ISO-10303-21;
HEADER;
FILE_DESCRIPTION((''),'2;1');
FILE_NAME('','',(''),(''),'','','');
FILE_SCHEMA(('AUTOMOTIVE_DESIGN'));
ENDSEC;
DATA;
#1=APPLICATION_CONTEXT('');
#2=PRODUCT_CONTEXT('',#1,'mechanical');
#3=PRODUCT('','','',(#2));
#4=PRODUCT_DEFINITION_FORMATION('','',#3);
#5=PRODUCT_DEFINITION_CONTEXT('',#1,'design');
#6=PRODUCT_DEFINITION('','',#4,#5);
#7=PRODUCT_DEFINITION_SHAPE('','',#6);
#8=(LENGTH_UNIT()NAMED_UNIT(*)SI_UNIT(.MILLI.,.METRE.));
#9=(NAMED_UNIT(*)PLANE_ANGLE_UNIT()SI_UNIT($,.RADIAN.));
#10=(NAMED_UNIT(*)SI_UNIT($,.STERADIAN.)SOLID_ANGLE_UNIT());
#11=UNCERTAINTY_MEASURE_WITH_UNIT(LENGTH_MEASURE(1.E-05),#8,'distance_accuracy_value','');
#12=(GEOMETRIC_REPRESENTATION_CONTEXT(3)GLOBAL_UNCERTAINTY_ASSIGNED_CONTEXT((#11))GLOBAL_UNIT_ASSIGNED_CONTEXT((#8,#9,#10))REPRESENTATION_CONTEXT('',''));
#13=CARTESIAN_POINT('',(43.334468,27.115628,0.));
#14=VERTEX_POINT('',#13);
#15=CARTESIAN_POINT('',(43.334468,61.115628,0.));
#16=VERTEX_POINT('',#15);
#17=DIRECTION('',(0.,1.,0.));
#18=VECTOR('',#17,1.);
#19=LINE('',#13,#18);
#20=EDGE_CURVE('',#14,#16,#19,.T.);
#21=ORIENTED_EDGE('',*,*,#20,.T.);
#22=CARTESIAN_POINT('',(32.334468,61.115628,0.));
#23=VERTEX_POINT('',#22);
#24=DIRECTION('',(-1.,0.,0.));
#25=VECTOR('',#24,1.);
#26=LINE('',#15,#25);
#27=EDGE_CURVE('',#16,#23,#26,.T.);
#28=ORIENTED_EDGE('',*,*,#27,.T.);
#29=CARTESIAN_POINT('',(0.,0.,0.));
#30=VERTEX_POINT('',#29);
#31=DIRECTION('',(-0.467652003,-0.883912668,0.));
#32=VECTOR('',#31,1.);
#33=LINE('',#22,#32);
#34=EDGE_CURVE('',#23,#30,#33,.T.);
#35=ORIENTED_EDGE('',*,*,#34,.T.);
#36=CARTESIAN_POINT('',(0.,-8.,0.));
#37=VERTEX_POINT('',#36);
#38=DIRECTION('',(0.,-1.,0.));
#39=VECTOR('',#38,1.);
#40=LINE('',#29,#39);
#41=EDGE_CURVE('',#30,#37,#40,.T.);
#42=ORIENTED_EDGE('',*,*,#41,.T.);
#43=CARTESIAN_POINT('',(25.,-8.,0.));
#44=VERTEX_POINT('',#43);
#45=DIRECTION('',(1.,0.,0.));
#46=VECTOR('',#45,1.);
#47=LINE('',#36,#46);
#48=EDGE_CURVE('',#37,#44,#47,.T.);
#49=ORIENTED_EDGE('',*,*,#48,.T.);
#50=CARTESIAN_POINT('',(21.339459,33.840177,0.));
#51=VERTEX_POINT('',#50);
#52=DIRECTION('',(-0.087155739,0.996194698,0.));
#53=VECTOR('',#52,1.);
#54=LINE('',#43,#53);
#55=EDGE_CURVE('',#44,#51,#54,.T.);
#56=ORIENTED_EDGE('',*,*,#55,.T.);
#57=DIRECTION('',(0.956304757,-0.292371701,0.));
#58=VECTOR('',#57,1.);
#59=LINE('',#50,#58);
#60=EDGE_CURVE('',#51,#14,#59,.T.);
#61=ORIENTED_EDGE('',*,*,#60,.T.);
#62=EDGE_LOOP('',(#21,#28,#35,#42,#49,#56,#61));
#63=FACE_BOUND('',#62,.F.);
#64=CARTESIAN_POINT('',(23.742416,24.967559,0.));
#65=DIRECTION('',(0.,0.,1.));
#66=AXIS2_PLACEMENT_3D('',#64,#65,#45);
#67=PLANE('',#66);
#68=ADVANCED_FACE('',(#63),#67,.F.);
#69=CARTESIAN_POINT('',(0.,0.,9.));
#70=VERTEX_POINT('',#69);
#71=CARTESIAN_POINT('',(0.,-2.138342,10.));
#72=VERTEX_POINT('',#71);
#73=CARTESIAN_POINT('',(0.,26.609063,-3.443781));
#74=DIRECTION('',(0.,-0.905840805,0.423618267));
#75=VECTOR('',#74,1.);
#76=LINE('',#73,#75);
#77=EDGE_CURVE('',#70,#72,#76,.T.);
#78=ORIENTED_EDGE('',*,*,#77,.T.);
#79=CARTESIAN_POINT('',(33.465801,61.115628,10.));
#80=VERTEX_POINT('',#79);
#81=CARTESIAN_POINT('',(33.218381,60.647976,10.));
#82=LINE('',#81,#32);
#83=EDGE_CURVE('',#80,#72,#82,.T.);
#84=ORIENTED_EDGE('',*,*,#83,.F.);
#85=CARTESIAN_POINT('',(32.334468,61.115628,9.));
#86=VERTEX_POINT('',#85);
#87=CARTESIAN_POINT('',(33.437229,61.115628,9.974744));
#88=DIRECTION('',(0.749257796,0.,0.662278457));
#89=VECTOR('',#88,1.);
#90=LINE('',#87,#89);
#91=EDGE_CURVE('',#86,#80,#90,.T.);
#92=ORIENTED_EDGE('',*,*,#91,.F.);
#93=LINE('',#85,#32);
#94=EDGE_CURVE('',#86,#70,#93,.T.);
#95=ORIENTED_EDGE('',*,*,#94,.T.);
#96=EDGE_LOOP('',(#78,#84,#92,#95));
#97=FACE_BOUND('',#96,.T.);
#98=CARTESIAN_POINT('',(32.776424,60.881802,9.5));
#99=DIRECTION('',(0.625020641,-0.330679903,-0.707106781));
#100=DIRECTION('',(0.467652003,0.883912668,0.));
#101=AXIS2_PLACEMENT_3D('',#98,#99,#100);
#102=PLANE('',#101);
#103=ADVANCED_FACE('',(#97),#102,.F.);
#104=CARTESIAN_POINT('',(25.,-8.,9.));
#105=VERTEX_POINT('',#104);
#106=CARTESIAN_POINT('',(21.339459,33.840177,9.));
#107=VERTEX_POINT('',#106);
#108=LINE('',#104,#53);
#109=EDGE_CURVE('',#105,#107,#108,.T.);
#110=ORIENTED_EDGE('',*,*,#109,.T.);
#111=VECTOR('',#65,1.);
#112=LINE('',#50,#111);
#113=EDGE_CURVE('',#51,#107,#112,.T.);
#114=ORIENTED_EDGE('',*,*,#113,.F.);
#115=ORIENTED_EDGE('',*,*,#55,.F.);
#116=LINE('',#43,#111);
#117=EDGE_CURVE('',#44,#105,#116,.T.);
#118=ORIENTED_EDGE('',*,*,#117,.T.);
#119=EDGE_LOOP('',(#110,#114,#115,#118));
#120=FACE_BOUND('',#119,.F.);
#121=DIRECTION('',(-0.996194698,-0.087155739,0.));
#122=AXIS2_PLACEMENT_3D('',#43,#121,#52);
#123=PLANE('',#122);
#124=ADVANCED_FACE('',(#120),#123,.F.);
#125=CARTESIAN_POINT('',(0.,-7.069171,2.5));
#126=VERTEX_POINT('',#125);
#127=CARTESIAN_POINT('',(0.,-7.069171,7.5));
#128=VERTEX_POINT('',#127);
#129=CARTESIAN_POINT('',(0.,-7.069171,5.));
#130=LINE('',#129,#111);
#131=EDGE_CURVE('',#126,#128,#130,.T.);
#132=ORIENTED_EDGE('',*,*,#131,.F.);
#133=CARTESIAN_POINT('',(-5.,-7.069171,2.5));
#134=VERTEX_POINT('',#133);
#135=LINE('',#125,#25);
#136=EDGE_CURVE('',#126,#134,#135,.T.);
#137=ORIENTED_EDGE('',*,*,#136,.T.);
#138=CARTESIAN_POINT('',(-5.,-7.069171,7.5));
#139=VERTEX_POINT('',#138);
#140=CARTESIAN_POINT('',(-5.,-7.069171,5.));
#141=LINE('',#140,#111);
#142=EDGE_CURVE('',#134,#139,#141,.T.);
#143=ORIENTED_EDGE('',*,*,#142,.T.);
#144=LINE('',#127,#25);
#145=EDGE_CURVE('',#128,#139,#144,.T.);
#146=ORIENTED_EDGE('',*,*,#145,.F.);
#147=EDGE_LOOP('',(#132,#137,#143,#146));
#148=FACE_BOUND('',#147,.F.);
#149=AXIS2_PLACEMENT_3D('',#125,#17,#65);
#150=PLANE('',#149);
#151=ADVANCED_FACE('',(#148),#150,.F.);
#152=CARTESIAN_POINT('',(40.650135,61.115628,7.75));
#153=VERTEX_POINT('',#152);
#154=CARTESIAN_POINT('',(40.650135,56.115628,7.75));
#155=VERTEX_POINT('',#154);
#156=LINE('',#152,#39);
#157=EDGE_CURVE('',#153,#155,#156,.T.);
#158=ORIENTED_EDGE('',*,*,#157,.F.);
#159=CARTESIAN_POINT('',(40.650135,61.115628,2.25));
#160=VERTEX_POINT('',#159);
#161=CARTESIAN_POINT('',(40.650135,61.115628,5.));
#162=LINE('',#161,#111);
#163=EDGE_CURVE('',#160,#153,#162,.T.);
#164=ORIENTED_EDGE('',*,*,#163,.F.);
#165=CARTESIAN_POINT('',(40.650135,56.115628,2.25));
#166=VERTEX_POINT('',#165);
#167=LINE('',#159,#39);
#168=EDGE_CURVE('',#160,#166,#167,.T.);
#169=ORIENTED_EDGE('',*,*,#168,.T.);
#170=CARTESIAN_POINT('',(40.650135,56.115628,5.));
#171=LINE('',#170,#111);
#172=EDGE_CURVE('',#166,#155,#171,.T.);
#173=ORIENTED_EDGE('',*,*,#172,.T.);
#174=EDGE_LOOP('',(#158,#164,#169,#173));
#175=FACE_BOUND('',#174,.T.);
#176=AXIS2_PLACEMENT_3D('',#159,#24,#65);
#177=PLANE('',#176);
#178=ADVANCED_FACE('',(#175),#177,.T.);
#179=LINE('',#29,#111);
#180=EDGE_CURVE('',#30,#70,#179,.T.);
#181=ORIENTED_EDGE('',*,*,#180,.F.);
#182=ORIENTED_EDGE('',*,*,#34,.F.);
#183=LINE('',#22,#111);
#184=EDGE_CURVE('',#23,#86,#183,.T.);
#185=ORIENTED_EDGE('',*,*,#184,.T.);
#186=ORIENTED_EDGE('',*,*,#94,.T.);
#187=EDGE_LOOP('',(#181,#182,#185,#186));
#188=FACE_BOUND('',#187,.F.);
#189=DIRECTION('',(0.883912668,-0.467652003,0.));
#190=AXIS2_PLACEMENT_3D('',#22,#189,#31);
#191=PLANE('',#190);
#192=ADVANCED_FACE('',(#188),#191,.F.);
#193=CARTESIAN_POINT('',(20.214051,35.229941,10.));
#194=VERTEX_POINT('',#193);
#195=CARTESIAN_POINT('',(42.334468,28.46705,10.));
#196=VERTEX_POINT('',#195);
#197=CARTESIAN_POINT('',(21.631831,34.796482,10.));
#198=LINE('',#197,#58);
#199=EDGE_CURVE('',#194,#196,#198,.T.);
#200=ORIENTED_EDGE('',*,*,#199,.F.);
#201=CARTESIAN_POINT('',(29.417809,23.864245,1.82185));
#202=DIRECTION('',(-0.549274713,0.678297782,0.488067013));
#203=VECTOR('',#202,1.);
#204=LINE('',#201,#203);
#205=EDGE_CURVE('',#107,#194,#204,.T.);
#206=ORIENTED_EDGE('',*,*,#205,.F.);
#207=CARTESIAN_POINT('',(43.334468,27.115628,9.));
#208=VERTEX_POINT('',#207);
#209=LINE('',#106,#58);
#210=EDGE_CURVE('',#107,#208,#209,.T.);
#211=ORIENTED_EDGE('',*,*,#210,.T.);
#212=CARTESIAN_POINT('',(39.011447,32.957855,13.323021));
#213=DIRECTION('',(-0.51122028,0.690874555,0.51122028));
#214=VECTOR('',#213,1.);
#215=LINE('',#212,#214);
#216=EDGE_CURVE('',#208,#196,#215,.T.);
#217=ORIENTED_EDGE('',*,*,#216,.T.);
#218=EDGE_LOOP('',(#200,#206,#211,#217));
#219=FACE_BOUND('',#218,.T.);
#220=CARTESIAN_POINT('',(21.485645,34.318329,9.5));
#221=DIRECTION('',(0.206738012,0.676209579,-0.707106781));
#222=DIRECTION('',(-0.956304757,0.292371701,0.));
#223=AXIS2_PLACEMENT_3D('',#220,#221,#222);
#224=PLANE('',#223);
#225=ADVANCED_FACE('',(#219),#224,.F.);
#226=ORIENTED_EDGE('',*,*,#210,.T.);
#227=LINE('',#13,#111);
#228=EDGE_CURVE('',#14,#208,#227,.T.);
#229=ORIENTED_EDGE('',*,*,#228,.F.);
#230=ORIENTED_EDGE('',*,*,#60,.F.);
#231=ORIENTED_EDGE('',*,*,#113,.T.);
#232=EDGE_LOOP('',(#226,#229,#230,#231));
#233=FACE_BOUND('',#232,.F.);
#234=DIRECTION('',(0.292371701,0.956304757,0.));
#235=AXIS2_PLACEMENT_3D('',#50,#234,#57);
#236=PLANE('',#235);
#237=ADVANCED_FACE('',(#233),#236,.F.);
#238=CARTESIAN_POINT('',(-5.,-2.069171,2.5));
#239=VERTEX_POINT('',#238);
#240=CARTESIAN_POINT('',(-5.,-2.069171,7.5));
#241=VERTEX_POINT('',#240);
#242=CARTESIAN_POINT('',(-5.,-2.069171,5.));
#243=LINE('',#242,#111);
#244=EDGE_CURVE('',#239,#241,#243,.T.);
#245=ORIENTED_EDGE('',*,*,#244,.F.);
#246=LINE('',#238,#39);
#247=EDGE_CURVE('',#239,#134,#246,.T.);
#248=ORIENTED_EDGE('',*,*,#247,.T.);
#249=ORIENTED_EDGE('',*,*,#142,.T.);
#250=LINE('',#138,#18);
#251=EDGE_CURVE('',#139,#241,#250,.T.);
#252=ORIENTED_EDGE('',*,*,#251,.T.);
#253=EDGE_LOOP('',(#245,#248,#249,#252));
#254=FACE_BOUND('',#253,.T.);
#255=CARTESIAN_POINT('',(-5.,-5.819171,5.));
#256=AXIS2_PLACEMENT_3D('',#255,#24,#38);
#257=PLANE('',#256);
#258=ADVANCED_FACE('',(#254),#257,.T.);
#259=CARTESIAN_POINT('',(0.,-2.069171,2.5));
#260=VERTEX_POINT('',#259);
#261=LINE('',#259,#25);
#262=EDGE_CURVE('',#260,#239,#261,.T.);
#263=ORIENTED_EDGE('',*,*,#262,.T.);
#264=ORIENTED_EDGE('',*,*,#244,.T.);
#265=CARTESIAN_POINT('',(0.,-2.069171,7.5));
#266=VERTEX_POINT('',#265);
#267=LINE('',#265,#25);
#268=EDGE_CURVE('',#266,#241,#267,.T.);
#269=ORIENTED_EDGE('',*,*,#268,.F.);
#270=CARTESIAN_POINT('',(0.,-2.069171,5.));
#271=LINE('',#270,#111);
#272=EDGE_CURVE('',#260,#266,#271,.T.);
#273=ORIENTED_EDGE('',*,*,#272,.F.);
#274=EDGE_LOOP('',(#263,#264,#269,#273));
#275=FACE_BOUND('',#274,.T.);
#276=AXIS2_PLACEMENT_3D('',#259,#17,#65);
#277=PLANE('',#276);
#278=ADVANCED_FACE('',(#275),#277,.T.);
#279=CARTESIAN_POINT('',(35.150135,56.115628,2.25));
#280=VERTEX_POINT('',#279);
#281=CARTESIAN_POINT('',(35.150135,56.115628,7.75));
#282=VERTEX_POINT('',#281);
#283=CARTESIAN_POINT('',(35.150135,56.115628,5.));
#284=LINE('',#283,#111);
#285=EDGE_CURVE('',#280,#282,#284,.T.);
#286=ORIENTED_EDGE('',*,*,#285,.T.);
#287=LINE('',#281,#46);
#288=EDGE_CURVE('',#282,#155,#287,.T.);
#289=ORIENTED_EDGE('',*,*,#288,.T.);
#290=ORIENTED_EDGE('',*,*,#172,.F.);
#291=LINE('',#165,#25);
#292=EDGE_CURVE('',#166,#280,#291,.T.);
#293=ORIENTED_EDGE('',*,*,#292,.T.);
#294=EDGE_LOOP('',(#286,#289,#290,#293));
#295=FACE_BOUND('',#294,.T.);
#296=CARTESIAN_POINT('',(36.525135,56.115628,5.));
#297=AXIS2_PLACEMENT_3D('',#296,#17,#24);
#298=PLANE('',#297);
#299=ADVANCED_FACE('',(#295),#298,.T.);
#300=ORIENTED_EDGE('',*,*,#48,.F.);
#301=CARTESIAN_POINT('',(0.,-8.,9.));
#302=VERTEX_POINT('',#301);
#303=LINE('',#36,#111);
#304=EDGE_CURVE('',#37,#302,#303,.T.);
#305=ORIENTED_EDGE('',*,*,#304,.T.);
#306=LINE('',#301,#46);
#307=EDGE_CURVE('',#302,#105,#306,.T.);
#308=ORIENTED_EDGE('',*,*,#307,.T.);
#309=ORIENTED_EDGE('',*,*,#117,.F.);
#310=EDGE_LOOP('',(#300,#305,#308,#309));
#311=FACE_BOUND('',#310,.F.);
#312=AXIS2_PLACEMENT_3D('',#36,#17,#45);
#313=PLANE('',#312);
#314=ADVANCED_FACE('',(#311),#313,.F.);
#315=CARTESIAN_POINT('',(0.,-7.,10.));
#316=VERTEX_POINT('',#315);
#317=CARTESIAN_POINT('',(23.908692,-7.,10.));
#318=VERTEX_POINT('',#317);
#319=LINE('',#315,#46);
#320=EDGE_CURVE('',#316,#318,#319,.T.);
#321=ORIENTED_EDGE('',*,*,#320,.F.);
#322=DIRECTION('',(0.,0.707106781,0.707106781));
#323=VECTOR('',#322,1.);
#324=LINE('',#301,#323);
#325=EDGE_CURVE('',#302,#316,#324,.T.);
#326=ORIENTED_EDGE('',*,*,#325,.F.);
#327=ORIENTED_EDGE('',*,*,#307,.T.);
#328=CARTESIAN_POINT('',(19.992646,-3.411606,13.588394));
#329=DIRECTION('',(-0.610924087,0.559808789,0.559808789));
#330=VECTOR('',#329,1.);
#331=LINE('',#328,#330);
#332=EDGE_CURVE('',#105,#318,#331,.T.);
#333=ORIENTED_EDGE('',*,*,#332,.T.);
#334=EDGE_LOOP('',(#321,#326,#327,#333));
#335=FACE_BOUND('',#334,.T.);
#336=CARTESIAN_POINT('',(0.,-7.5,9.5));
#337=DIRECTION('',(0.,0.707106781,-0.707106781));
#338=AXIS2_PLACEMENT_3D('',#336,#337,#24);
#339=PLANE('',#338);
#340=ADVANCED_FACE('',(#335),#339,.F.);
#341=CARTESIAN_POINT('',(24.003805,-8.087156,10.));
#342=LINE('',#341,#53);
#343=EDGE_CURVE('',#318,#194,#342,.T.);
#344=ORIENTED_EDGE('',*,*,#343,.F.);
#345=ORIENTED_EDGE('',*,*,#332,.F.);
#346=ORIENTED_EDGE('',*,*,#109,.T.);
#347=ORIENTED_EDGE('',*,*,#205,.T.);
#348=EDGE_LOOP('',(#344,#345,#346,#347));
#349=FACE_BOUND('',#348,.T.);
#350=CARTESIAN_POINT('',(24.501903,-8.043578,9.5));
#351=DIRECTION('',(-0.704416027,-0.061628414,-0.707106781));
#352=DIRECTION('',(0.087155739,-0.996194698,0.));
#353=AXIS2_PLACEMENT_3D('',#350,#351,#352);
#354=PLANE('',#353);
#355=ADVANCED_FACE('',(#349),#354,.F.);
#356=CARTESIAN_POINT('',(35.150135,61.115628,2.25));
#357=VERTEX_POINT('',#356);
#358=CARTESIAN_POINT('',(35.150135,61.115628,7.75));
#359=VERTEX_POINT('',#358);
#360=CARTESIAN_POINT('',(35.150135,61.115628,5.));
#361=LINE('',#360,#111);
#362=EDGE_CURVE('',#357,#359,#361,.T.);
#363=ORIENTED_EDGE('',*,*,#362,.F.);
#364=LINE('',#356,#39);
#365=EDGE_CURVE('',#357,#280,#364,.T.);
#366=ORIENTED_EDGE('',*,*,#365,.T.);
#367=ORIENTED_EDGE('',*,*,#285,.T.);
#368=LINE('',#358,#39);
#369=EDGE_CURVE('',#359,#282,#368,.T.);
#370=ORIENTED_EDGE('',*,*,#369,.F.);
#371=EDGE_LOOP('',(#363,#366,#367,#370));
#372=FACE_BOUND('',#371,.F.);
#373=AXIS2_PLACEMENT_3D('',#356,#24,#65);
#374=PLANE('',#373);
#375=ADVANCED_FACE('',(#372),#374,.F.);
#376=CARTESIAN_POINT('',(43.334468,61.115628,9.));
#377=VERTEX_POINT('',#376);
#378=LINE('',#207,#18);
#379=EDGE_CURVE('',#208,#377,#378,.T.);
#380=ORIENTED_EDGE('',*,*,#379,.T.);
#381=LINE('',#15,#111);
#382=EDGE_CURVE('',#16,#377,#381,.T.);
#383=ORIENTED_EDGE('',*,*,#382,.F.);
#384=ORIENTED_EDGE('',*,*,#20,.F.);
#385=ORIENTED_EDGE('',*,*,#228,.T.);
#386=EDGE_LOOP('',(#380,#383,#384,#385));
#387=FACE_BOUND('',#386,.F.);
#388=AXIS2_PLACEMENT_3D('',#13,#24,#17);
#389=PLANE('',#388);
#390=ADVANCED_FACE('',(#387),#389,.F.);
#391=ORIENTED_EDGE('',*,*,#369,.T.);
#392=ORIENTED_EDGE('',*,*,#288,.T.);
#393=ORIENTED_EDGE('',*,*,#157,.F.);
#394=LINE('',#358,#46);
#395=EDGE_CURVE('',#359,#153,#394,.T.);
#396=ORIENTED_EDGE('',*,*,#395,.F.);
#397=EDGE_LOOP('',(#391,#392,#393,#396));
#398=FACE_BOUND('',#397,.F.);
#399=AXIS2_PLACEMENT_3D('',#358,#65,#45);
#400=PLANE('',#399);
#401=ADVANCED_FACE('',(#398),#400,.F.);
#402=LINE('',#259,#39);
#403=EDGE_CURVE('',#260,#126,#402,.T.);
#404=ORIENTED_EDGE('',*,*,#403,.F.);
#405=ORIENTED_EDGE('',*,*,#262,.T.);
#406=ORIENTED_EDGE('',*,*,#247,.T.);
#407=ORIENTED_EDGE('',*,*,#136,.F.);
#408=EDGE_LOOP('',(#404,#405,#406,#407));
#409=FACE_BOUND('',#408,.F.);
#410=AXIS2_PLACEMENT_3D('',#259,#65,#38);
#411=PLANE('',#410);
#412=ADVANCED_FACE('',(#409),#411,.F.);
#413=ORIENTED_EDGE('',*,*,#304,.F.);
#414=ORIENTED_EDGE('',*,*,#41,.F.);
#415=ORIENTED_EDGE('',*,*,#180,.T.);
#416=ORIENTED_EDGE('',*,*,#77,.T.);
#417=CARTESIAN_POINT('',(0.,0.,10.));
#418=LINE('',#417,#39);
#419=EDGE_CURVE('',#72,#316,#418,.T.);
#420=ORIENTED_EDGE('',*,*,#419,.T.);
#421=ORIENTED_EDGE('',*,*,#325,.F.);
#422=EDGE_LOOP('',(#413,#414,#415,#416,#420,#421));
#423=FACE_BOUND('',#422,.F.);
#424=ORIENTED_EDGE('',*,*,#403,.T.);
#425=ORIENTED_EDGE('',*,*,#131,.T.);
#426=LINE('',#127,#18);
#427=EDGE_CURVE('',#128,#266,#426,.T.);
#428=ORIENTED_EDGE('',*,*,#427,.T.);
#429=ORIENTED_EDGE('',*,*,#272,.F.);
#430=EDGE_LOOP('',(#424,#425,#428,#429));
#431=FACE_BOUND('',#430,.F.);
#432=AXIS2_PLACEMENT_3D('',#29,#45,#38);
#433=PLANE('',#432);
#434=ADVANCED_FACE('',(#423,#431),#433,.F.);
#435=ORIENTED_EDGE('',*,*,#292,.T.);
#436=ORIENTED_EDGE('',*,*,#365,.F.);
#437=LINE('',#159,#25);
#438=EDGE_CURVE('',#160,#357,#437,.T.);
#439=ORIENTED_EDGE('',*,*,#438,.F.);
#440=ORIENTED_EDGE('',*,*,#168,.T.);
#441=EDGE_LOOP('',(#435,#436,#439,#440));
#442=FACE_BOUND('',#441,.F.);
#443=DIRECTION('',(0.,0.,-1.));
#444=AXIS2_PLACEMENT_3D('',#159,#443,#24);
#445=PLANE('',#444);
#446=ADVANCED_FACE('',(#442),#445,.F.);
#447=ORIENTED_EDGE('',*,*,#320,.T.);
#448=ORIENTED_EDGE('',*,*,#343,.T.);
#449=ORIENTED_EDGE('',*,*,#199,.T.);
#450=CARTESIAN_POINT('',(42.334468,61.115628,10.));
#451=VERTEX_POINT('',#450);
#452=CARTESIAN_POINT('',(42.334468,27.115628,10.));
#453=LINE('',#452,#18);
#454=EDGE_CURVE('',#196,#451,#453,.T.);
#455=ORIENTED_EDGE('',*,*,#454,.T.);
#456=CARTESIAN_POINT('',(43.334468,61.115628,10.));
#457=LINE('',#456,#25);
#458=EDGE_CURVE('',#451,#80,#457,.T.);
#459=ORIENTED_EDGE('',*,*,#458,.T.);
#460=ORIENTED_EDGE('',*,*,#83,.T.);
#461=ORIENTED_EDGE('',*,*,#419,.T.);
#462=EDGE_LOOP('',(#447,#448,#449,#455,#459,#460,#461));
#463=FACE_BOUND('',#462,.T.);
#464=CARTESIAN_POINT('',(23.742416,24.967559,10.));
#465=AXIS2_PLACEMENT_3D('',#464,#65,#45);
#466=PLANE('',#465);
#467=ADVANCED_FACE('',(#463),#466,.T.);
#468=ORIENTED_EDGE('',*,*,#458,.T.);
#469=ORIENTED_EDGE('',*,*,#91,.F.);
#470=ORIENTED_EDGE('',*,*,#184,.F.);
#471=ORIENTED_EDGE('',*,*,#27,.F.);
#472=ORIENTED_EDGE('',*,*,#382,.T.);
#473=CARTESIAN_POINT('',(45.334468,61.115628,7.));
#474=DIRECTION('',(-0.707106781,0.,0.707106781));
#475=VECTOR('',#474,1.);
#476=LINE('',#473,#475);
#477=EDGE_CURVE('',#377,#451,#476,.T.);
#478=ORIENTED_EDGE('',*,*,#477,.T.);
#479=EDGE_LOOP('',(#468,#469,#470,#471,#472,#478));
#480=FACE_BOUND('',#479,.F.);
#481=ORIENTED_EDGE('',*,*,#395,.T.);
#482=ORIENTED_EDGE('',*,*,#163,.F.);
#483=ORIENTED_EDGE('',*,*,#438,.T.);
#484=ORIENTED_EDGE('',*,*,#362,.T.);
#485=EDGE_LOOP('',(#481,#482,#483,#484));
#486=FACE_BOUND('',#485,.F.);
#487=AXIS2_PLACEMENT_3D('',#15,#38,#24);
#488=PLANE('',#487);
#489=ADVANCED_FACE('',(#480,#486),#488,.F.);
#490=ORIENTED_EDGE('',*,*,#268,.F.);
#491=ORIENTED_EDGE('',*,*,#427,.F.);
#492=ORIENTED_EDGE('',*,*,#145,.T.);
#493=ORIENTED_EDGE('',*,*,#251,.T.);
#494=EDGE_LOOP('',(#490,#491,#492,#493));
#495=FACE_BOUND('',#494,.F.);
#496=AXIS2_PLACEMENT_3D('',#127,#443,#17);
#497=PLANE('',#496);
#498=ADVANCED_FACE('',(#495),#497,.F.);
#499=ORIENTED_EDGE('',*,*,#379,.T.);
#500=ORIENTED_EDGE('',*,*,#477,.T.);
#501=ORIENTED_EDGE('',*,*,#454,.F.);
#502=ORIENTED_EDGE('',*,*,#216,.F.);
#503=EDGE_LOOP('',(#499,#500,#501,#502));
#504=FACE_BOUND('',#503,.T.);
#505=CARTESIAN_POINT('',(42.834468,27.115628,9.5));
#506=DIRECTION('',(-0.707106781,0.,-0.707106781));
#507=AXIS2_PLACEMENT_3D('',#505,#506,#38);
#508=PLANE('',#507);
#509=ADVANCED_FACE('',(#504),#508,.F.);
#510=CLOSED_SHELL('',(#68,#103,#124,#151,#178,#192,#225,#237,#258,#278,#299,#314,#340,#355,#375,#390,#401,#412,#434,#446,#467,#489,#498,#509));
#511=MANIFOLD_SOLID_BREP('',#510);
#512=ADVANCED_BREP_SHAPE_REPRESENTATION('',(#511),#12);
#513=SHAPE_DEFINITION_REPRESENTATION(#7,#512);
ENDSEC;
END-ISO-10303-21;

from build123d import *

# Parameters (mm, degrees)
F1_DEPTH = 10
F2_SIZE  = 1
F3_W     = 2.5
F3_H     = 5
F4_DEPTH = 5
F5_W     = 2.75
F5_H     = 5.5
F6_DEPTH = 5


with BuildPart() as f1:
    # F0 (on Top) → F1 (new body)
    with BuildSketch(Plane.XY):
        Polygon((32.334468, 61.115628), (0, 0), (0, -8), (25, -8), (21.339459, 33.840177), (43.334468, 27.115628), (43.334468, 61.115628), align=None)
    extrude(amount=F1_DEPTH)

    # F2
    f2_edges = [f1.edges().sort_by_distance(p)[0] for p in [
        (16.167234, 30.557814, 10),
        (12.5, -8, 10),
        (23.169729, 12.920089, 10),
        (32.336963, 30.477903, 10),
        (43.334468, 44.115628, 10),
    ]]
    chamfer(f2_edges, length=F2_SIZE)

    # F3 (on face) → F4 (join)
    with BuildSketch(Plane(origin=(0, 0, 0), x_dir=(0, -1, 0), z_dir=(-1, 0, 0))):
        with Locations((5.819171, 5)):
            Rectangle(F3_W, F3_H)
        with Locations((3.319171, 5)):
            Rectangle(F3_W, F3_H)
    extrude(amount=F4_DEPTH)

    # F5 (on face) → F6 (cut)
    with BuildSketch(Plane(origin=(0, 61.115628, 0), x_dir=(-1, 0, 0), z_dir=(0, 1, 0))):
        with Locations((-36.525135, 5)):
            Rectangle(F5_W, F5_H)
        with Locations((-39.275135, 5)):
            Rectangle(F5_W, F5_H)
    extrude(amount=-F6_DEPTH, mode=Mode.SUBTRACT)


solid = f1.part
